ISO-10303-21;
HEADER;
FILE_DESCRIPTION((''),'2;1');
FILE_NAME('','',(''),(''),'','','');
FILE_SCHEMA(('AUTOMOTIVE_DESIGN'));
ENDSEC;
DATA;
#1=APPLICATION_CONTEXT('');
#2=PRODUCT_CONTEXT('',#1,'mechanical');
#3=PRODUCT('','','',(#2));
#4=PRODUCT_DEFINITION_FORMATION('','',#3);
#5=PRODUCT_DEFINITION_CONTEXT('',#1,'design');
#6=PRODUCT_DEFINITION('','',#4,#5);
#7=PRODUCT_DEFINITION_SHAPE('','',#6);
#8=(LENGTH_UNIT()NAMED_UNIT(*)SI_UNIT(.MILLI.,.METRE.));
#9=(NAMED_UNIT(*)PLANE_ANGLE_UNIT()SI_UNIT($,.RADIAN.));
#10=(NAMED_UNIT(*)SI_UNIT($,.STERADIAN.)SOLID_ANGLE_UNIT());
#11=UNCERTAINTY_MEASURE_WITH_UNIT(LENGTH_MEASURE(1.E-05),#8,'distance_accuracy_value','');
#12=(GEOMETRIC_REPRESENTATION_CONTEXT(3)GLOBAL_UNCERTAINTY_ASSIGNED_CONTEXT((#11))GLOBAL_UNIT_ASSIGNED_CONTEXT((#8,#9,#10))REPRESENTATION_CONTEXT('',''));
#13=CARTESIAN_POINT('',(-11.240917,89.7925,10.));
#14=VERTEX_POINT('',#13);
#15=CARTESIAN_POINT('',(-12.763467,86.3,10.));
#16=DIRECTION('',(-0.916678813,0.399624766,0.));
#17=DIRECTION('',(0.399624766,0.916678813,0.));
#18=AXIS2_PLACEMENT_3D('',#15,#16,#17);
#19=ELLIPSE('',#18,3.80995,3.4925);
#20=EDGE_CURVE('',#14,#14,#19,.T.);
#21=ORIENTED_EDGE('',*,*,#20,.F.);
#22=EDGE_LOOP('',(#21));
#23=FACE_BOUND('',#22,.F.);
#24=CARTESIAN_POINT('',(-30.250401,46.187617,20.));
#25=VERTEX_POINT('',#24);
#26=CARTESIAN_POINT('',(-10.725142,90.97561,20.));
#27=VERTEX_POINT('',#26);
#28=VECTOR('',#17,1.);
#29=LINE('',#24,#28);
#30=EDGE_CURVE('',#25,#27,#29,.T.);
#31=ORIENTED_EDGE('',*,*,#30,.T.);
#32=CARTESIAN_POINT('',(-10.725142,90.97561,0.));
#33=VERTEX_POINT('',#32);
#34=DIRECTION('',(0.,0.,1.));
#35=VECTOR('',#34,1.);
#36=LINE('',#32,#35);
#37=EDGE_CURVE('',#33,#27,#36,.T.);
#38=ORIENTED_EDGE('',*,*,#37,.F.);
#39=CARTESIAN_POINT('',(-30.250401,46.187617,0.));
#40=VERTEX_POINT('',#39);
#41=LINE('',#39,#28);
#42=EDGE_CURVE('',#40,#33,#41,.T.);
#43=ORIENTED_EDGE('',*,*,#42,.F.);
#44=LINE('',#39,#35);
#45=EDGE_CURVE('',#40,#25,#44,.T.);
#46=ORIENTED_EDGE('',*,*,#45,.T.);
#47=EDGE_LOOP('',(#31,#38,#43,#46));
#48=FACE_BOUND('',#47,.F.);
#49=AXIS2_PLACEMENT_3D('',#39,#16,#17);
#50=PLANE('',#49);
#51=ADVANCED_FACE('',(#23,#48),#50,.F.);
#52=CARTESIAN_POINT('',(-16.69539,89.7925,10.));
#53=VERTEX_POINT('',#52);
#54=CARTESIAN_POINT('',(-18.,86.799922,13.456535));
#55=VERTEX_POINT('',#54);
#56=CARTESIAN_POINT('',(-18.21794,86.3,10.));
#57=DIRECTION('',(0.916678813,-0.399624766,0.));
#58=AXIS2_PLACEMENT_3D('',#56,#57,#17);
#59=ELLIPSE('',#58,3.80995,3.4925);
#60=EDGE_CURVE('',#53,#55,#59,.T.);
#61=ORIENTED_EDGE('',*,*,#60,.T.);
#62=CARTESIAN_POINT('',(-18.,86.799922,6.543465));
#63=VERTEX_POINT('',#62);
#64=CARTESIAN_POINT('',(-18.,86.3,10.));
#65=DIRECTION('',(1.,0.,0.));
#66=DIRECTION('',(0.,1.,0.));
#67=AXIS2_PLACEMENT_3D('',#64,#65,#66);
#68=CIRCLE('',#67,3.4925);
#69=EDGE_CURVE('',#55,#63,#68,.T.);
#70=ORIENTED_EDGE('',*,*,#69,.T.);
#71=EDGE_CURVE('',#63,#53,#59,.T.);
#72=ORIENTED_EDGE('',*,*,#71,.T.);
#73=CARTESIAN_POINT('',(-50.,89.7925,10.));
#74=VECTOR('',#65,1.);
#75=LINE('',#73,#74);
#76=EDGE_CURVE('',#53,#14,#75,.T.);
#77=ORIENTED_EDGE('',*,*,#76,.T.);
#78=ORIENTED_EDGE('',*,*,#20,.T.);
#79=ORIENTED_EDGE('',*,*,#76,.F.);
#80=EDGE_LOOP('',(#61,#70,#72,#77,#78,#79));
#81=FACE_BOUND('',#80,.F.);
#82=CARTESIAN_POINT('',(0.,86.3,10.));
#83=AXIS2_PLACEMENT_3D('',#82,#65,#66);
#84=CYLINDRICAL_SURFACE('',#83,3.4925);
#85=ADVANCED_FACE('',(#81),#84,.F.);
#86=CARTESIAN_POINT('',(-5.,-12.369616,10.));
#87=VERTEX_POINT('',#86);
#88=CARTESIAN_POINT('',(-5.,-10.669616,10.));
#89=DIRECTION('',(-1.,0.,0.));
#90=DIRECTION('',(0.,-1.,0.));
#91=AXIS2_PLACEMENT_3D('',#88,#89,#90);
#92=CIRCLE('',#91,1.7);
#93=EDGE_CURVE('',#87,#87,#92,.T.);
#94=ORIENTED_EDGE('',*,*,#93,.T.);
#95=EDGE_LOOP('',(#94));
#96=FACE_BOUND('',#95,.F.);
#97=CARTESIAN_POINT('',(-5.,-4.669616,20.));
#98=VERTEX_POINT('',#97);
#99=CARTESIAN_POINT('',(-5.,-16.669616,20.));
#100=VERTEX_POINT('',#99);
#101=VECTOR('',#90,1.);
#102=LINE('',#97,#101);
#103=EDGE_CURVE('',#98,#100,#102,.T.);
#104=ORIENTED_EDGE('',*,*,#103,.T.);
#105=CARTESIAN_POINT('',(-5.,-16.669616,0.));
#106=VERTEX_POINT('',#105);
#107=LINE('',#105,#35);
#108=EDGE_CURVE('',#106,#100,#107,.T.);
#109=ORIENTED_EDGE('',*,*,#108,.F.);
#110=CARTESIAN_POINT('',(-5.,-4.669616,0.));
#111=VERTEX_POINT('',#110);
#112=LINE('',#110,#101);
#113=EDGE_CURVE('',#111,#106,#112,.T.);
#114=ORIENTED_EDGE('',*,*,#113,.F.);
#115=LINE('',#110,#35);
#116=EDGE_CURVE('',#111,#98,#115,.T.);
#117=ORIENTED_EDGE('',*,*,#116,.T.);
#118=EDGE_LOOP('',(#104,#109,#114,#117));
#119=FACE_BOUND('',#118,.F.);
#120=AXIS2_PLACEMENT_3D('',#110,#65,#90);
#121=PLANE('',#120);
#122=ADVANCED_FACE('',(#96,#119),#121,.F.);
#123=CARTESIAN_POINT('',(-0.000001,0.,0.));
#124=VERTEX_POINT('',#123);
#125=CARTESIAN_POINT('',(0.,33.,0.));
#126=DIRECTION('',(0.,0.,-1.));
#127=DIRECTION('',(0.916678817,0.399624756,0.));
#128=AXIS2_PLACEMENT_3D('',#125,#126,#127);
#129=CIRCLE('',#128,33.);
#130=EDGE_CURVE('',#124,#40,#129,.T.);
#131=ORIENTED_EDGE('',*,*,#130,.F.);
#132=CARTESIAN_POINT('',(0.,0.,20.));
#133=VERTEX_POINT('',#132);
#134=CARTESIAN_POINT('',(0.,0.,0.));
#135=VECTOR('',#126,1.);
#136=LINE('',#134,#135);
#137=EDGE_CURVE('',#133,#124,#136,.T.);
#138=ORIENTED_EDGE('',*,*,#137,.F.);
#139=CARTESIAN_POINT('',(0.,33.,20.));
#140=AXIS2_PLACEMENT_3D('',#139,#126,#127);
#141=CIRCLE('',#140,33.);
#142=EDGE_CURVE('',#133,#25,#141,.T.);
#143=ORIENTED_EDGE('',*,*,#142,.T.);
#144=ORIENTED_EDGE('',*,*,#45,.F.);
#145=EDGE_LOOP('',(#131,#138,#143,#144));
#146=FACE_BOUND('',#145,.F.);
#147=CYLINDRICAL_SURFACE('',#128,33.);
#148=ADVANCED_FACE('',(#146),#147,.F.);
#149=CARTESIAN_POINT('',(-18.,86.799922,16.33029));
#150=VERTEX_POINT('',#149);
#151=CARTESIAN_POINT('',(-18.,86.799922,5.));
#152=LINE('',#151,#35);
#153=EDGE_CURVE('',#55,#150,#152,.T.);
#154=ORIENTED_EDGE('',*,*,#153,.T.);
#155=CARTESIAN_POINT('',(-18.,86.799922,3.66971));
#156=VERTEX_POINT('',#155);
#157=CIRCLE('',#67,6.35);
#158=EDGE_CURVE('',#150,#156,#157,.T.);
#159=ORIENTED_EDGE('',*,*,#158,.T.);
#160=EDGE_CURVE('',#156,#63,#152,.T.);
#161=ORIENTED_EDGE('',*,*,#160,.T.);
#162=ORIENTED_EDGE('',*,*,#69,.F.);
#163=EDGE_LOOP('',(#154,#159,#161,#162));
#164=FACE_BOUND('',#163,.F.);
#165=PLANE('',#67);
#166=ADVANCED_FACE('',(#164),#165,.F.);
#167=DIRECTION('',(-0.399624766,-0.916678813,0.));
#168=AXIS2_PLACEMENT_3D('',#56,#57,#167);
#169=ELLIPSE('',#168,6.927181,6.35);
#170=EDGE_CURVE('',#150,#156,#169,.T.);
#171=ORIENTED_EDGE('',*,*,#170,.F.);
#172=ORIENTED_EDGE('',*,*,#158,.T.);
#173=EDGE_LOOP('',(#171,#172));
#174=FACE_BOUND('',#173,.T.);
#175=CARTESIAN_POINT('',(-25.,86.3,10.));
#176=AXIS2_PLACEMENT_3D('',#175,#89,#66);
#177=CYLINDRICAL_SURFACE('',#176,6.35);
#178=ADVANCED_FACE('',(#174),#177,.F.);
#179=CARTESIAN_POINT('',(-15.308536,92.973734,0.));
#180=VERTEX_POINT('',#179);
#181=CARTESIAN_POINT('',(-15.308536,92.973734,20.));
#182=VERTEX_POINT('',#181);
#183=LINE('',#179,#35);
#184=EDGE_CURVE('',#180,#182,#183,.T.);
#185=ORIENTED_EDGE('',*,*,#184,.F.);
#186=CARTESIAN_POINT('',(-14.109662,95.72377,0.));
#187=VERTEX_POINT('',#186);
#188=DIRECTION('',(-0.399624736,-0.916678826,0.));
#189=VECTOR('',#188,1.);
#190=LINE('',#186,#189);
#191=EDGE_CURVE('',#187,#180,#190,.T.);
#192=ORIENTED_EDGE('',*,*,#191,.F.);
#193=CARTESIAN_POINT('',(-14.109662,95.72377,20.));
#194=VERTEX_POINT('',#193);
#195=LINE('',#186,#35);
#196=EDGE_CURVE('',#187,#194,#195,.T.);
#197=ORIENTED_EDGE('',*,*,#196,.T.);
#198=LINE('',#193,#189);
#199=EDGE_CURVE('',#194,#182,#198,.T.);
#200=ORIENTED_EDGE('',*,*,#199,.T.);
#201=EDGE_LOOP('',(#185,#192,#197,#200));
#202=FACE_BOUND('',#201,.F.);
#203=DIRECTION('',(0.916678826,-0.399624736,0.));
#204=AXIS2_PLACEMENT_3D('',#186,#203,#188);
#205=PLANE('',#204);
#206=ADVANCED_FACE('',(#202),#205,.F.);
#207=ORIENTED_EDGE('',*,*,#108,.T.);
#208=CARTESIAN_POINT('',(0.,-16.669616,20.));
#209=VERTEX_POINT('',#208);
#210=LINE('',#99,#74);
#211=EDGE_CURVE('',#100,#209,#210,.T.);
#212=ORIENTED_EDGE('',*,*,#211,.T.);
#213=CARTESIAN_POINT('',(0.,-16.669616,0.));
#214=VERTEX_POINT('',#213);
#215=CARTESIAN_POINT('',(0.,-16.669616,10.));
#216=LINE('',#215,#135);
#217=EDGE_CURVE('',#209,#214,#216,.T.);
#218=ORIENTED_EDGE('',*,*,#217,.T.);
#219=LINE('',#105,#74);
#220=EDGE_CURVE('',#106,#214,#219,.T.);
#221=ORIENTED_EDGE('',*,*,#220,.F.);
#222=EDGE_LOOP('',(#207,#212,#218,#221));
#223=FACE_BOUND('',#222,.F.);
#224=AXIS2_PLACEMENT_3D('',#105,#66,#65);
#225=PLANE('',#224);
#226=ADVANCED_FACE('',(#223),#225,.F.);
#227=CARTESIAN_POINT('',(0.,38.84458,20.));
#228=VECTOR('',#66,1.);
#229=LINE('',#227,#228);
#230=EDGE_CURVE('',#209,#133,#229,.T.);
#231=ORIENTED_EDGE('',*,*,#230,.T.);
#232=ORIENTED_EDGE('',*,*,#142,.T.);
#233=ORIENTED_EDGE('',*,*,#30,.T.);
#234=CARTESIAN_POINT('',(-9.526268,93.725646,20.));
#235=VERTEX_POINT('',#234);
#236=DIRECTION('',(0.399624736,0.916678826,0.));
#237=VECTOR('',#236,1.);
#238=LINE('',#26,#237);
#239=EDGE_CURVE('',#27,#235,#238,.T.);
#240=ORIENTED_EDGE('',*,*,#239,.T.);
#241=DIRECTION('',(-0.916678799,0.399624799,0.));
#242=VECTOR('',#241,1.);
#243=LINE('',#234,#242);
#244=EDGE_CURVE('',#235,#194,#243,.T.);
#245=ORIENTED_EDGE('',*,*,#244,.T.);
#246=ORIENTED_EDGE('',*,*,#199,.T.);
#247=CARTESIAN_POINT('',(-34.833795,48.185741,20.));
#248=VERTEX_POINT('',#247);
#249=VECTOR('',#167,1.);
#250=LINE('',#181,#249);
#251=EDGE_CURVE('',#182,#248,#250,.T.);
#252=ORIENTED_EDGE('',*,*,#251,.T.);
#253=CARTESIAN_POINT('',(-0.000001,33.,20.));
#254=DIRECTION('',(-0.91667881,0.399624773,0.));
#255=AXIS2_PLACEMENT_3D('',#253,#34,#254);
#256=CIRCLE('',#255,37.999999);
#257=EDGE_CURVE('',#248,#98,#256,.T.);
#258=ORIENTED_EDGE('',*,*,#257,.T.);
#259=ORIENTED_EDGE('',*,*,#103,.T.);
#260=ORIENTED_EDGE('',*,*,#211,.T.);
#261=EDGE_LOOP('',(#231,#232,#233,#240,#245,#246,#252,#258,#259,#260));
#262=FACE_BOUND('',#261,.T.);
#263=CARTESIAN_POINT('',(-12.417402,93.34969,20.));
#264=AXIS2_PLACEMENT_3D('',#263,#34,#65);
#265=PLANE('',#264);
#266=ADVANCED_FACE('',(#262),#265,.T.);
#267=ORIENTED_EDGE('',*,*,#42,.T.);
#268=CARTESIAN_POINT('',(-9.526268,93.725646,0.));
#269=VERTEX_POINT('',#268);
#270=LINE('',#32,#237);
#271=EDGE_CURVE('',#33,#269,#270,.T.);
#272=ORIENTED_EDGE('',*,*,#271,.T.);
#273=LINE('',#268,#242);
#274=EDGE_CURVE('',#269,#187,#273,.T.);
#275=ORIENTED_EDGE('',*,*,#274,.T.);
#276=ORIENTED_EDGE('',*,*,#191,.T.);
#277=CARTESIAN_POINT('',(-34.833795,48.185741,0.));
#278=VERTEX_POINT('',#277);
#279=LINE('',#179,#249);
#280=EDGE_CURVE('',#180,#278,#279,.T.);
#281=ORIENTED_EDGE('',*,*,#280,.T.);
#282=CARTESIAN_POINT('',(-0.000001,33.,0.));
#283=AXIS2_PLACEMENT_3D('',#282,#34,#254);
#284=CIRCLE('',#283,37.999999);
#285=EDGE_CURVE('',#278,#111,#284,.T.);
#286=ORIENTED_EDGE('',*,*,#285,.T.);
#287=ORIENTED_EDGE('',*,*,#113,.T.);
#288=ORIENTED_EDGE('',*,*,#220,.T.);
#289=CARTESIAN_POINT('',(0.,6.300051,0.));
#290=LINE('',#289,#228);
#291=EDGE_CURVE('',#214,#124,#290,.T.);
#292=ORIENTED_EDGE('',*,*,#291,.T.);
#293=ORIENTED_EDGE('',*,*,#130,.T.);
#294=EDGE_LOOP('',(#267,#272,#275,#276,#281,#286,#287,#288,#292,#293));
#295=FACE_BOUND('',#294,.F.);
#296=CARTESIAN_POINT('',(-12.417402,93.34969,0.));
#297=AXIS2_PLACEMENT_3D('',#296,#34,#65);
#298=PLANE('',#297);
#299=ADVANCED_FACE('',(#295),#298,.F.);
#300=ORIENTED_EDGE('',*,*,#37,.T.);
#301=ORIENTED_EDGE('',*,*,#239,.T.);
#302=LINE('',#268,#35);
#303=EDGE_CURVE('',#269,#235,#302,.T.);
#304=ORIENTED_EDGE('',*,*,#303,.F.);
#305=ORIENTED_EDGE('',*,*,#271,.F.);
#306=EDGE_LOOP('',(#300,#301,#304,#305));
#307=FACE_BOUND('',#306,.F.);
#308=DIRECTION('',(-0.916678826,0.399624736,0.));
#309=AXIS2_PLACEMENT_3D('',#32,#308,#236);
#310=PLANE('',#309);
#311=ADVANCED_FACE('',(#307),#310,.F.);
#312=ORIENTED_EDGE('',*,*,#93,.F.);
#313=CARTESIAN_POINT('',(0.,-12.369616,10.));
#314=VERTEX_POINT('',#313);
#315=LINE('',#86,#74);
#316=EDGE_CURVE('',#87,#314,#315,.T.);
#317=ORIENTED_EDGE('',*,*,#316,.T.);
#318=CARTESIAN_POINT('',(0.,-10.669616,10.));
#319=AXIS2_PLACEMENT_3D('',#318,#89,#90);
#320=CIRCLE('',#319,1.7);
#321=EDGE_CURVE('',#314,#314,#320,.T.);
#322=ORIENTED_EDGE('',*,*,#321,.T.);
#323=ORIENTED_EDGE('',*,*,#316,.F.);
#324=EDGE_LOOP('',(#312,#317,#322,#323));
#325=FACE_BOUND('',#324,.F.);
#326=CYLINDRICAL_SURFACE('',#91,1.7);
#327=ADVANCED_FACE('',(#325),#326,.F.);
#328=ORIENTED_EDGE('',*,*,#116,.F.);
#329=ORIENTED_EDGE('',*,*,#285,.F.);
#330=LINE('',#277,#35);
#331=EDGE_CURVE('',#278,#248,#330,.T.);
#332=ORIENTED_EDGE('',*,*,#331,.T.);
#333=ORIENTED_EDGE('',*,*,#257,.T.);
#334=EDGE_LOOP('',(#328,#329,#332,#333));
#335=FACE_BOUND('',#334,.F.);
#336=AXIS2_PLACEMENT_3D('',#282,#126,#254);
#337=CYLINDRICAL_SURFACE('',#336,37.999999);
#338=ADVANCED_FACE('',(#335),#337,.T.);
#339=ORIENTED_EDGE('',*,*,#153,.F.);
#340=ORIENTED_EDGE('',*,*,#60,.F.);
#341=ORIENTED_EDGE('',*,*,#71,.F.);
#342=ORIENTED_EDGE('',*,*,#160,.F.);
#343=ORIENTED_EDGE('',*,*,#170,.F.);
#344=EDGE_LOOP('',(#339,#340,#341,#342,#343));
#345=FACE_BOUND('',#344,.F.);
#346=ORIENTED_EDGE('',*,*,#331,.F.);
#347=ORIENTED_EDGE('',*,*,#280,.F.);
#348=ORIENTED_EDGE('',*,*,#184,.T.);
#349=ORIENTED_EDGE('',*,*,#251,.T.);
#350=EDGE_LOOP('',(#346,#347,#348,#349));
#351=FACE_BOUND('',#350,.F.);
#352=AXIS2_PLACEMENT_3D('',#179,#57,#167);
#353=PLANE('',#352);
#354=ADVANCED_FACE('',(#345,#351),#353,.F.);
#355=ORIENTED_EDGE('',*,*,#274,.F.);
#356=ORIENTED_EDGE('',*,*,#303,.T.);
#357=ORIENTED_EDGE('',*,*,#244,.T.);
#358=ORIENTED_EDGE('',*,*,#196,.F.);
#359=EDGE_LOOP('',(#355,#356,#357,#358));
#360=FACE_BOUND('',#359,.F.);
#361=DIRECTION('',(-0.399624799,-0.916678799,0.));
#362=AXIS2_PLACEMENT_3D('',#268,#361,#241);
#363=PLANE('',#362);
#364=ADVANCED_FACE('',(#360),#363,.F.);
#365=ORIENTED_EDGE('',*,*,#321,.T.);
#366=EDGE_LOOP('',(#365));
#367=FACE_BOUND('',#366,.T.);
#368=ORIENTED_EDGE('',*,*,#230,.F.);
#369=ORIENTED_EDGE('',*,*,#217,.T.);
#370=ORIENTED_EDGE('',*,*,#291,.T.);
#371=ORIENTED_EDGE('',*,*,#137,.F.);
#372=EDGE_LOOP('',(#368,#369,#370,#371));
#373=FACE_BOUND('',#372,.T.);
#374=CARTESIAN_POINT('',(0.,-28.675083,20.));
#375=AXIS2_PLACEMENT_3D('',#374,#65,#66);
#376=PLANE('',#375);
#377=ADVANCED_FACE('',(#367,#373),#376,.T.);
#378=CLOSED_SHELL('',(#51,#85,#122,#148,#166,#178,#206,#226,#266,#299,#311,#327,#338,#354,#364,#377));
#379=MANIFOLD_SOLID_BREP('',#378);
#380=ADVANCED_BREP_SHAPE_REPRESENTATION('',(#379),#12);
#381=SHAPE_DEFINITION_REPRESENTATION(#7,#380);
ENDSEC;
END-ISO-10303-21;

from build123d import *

# Parameters (mm, degrees)
F1_DEPTH  = 20
F2_R      = 3.4925
F3_DEPTH  = 50
F5_R      = 6.35
F5_R_2    = 3.4925
F6_DEPTH  = 7
F7_W      = 56.608487
F7_H      = 135.039326
F8_DEPTH  = 25
F9_R      = 1.7
F10_DEPTH = 25
F12_DEPTH = 25
F14_DEPTH = 20


with BuildPart() as f1:
    # F0 (on Top) → F1 (new body)
    with BuildSketch(Plane.XY):
        with BuildLine():
            ThreePointArc((15.308536, 92.973734), (0, 103), (-15.308536, 92.973734))
            Line((-15.308536, 92.973734), (-34.833795, 48.185741))
            ThreePointArc((-34.833795, 48.185741), (-33.092371, 14.321269), (-5, -4.669616))
            Line((-5, -4.669616), (-5, -16.669616))
            Line((-5, -16.669616), (0, -16.669616))
            Line((0, -16.669616), (0, -5))
            ThreePointArc((0, -5), (31.78882, 12.180036), (34.833795, 48.185741))
            Line((34.833795, 48.185741), (15.308536, 92.973734))
        make_face()
        with BuildLine():
            ThreePointArc((-10.725142, 90.97561), (0, 98), (10.725142, 90.97561))
            Line((10.725142, 90.97561), (30.250401, 46.187617))
            ThreePointArc((30.250401, 46.187617), (0, 0), (-30.250401, 46.187617))
            Line((-30.250401, 46.187617), (-10.725142, 90.97561))
        make_face(mode=Mode.SUBTRACT)
    extrude(amount=F1_DEPTH)

    # F2 (on Right) → F3 (cut, symmetric)
    with BuildSketch(Plane.YZ):
        with Locations((86.3, 10)):
            Circle(F2_R)
    extrude(amount=F3_DEPTH, both=True, mode=Mode.SUBTRACT)

    # F5 (on offset) → F6 (cut)
    with BuildSketch(Plane.YZ.offset(-25)):
        with Locations((86.3, 10)):
            Circle(F5_R)
        with Locations((86.3, 10)):
            Circle(F5_R_2, mode=Mode.SUBTRACT)
    extrude(amount=F6_DEPTH, mode=Mode.SUBTRACT)

    # F7 (on face) → F8 (cut)
    with BuildSketch(Plane.XY.offset(20)):
        with Locations((28.304243, 38.84458)):
            Rectangle(F7_W, F7_H)
    extrude(amount=-F8_DEPTH, mode=Mode.SUBTRACT)

    # F9 (on face) → F10 (cut)
    with BuildSketch(Plane(origin=(-5, 0, 0), x_dir=(0, -1, 0), z_dir=(-1, 0, 0))):
        with Locations((10.669616, 10)):
            Circle(F9_R)
    extrude(amount=-F10_DEPTH, mode=Mode.SUBTRACT)

    # F11 (on face) → F12 (cut)
    with BuildSketch(Plane.XY.offset(20)):
        Polygon((-17.911747, 98.920211), (-15.308536, 92.973734), (-10.725142, 90.97561), (6.21896, 97.293422), (0, 104.071707), align=None)
    extrude(amount=-F12_DEPTH, mode=Mode.SUBTRACT)

    # F13 (on Top) → F14 (join)
    with BuildSketch(Plane.XY):
        Polygon((-14.109662, 95.72377), (-15.308536, 92.973734), (-10.725142, 90.97561), (-9.526268, 93.725646), align=None)
    extrude(amount=F14_DEPTH)


solid = f1.part
